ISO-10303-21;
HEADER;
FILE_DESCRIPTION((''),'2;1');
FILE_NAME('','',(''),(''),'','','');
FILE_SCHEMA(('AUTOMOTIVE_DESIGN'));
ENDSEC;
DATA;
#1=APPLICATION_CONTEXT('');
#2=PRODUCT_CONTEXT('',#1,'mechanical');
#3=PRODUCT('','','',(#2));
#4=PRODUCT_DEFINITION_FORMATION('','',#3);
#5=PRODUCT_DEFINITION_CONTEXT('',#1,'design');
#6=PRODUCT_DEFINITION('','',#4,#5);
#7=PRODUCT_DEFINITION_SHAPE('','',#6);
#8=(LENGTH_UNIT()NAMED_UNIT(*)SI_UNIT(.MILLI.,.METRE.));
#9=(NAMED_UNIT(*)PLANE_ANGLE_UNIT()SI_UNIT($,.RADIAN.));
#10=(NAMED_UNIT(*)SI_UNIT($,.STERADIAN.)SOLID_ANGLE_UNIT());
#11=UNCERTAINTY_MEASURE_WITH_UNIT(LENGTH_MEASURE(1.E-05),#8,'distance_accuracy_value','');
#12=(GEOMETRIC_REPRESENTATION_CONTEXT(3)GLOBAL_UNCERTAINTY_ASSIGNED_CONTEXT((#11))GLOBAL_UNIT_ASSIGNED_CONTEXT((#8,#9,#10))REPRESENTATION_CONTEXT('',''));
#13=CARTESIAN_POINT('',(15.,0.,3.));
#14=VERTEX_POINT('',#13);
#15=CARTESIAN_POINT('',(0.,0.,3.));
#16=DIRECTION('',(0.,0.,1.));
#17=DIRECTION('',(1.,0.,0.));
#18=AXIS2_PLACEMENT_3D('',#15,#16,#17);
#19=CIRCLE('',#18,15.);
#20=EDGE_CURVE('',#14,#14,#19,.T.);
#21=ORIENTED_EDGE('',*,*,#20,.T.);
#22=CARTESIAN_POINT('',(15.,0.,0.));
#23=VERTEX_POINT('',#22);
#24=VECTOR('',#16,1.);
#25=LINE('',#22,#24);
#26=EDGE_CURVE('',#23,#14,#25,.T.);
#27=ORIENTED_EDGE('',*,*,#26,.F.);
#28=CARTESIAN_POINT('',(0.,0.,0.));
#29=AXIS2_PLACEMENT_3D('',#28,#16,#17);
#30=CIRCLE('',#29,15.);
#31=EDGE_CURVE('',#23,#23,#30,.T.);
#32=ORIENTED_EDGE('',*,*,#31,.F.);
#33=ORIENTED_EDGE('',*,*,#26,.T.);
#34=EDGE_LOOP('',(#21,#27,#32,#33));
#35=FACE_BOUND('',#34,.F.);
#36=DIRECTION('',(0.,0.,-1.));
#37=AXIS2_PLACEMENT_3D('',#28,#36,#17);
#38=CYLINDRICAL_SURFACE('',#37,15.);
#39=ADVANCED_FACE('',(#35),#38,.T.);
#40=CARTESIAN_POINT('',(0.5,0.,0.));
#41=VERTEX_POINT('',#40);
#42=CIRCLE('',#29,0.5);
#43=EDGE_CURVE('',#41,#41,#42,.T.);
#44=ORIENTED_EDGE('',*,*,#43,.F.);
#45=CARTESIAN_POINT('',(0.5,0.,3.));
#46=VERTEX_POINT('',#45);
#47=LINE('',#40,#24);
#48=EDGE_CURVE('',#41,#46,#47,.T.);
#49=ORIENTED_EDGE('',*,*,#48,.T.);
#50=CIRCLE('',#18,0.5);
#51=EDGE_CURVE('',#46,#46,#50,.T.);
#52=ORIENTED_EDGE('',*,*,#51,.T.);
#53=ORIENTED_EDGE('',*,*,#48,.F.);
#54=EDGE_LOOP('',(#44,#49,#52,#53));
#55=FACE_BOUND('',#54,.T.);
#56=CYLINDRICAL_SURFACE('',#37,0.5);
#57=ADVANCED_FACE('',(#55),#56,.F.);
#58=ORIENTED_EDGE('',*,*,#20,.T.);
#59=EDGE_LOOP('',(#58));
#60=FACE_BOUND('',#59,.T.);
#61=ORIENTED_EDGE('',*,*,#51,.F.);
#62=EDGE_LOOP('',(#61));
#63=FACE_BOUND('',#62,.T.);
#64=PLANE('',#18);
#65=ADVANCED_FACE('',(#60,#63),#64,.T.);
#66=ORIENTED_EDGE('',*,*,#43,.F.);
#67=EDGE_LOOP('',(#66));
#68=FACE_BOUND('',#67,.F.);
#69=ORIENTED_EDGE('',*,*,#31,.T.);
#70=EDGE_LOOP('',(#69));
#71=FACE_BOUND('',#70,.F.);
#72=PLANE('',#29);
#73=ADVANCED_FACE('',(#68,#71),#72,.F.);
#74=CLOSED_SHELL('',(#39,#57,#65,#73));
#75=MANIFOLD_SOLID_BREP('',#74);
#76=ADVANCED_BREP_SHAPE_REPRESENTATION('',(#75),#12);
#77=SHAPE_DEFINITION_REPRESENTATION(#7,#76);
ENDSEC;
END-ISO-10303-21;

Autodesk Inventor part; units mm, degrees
ref_plane "YZ Plane" through (0, 0, 0) normal (1, 0, 0) x (0, 1, 0)
ref_plane "XZ Plane" through (0, 0, 0) normal (0, 1, 0) x (-1, 0, 0)
ref_plane "XY Plane" through (0, 0, 0) normal (0, 0, 1) x (1, 0, 0)
sketch "スケッチ1" plane through (0, 0, 0) normal (0, 0, 1) x (1, 0, 0)
  circle A0 centre (0, 0) radius 15
  circle A1 centre (0, 0) radius 0.5
  dimension "d0" = 30
  dimension "d3" = 1
extrude "押し出し1" add sketch "スケッチ1" along normal blind 3 contours A0 | A1
extrude "押し出し2" cut sketch "スケッチ1" along normal blind 3 contours A1
properties part number "fan"
